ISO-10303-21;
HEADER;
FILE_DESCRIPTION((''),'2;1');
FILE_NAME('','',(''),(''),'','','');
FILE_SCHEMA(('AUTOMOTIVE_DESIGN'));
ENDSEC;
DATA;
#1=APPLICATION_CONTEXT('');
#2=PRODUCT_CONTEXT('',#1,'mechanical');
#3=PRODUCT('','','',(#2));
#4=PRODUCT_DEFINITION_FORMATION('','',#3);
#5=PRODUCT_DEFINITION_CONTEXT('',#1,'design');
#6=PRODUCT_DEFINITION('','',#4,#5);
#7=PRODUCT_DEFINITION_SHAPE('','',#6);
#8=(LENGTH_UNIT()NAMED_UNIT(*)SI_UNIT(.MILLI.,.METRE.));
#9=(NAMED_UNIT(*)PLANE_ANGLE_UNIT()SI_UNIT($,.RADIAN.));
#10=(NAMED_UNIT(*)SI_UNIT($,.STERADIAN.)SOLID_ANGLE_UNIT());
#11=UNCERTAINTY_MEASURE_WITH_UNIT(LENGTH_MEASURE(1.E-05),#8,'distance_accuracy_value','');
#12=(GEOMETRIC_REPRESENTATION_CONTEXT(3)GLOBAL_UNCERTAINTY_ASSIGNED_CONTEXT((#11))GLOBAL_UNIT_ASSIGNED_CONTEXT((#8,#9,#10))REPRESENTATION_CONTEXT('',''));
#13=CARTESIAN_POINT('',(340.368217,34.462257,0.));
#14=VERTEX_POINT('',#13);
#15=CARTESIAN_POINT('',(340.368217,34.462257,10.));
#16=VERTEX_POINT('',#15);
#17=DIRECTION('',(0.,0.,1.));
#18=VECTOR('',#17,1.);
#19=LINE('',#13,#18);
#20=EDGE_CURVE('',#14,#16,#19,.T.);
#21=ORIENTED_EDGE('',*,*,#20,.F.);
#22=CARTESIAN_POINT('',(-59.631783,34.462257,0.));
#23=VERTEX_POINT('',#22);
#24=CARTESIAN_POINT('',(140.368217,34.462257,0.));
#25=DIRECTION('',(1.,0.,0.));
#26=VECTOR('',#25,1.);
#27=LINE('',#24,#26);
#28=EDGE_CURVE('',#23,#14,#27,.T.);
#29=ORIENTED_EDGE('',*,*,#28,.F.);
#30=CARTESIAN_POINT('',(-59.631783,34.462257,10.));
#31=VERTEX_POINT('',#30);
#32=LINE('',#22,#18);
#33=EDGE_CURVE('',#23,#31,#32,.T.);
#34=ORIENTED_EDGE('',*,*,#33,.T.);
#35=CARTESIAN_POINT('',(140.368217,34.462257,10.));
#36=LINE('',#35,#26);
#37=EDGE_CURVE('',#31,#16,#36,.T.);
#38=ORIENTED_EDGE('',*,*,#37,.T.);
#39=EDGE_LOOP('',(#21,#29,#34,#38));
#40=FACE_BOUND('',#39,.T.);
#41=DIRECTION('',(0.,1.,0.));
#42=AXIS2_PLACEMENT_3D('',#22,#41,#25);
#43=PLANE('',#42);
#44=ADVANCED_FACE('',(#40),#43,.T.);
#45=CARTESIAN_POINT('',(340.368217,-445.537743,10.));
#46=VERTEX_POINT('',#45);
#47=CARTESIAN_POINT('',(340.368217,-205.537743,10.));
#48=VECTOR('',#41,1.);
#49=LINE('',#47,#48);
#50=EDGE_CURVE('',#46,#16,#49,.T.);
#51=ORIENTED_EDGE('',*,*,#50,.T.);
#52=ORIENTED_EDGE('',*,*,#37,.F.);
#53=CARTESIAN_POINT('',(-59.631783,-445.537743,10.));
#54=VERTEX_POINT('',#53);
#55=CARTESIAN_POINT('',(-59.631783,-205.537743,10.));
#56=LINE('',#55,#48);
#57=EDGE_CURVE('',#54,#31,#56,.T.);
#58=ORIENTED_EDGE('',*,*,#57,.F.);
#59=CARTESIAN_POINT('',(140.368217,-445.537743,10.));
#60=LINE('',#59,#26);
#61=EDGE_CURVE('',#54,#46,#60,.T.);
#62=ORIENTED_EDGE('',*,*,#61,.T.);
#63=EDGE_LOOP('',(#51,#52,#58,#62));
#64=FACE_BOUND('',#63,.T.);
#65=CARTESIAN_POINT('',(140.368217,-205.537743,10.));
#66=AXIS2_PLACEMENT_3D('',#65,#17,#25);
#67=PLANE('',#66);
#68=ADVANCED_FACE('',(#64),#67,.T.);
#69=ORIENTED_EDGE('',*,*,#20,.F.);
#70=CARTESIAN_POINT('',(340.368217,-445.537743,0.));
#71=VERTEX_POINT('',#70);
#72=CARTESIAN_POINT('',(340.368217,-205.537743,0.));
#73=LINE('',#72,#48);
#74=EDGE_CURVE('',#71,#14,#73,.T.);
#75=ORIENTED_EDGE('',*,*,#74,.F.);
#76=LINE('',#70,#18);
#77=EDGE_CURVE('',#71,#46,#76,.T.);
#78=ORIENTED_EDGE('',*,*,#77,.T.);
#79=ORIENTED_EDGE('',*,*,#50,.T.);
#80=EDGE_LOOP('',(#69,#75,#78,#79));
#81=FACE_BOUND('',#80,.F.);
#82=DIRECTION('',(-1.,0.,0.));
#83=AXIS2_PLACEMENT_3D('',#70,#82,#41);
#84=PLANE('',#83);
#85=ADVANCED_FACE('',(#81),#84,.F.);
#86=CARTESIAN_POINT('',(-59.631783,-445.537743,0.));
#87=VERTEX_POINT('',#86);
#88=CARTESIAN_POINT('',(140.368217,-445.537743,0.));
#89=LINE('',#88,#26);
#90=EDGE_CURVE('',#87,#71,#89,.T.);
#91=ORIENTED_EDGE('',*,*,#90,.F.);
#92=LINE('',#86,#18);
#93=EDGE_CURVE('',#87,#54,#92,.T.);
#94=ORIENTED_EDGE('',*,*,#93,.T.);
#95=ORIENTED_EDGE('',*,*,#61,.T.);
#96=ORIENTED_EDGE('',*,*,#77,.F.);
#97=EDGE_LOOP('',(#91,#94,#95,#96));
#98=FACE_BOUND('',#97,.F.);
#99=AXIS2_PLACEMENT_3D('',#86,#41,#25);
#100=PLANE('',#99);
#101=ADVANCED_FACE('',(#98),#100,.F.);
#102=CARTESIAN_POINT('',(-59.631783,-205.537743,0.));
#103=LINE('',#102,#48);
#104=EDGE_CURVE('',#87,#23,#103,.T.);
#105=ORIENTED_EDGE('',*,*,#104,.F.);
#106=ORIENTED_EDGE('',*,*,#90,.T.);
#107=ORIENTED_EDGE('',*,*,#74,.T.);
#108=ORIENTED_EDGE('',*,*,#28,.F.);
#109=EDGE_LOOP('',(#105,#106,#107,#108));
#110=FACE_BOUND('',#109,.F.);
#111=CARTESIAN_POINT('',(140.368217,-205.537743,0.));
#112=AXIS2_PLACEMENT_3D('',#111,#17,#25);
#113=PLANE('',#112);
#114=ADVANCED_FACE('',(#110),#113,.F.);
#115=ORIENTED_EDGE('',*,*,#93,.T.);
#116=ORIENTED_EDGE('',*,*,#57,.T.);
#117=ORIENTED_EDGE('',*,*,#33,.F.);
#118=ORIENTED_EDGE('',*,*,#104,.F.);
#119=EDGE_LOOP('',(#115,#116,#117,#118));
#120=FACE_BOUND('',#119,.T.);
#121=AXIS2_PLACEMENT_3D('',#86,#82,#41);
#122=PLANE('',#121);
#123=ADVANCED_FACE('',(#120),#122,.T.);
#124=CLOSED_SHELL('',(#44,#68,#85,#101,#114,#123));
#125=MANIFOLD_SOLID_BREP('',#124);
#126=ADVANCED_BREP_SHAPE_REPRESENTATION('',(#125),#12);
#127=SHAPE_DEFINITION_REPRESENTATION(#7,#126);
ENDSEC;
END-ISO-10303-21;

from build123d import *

# Parameters (mm, degrees)
SKETCH1_W      = 400
SKETCH1_H      = 480
EXTRUDE1_DEPTH = 10


with BuildPart() as part:
    # Sketch1 → Extrude1 (new body)
    with BuildSketch(Plane.XY):
        with Locations((140.368216895, -205.537743176)):
            Rectangle(SKETCH1_W, SKETCH1_H)
    extrude(amount=EXTRUDE1_DEPTH)


solid = part.part
